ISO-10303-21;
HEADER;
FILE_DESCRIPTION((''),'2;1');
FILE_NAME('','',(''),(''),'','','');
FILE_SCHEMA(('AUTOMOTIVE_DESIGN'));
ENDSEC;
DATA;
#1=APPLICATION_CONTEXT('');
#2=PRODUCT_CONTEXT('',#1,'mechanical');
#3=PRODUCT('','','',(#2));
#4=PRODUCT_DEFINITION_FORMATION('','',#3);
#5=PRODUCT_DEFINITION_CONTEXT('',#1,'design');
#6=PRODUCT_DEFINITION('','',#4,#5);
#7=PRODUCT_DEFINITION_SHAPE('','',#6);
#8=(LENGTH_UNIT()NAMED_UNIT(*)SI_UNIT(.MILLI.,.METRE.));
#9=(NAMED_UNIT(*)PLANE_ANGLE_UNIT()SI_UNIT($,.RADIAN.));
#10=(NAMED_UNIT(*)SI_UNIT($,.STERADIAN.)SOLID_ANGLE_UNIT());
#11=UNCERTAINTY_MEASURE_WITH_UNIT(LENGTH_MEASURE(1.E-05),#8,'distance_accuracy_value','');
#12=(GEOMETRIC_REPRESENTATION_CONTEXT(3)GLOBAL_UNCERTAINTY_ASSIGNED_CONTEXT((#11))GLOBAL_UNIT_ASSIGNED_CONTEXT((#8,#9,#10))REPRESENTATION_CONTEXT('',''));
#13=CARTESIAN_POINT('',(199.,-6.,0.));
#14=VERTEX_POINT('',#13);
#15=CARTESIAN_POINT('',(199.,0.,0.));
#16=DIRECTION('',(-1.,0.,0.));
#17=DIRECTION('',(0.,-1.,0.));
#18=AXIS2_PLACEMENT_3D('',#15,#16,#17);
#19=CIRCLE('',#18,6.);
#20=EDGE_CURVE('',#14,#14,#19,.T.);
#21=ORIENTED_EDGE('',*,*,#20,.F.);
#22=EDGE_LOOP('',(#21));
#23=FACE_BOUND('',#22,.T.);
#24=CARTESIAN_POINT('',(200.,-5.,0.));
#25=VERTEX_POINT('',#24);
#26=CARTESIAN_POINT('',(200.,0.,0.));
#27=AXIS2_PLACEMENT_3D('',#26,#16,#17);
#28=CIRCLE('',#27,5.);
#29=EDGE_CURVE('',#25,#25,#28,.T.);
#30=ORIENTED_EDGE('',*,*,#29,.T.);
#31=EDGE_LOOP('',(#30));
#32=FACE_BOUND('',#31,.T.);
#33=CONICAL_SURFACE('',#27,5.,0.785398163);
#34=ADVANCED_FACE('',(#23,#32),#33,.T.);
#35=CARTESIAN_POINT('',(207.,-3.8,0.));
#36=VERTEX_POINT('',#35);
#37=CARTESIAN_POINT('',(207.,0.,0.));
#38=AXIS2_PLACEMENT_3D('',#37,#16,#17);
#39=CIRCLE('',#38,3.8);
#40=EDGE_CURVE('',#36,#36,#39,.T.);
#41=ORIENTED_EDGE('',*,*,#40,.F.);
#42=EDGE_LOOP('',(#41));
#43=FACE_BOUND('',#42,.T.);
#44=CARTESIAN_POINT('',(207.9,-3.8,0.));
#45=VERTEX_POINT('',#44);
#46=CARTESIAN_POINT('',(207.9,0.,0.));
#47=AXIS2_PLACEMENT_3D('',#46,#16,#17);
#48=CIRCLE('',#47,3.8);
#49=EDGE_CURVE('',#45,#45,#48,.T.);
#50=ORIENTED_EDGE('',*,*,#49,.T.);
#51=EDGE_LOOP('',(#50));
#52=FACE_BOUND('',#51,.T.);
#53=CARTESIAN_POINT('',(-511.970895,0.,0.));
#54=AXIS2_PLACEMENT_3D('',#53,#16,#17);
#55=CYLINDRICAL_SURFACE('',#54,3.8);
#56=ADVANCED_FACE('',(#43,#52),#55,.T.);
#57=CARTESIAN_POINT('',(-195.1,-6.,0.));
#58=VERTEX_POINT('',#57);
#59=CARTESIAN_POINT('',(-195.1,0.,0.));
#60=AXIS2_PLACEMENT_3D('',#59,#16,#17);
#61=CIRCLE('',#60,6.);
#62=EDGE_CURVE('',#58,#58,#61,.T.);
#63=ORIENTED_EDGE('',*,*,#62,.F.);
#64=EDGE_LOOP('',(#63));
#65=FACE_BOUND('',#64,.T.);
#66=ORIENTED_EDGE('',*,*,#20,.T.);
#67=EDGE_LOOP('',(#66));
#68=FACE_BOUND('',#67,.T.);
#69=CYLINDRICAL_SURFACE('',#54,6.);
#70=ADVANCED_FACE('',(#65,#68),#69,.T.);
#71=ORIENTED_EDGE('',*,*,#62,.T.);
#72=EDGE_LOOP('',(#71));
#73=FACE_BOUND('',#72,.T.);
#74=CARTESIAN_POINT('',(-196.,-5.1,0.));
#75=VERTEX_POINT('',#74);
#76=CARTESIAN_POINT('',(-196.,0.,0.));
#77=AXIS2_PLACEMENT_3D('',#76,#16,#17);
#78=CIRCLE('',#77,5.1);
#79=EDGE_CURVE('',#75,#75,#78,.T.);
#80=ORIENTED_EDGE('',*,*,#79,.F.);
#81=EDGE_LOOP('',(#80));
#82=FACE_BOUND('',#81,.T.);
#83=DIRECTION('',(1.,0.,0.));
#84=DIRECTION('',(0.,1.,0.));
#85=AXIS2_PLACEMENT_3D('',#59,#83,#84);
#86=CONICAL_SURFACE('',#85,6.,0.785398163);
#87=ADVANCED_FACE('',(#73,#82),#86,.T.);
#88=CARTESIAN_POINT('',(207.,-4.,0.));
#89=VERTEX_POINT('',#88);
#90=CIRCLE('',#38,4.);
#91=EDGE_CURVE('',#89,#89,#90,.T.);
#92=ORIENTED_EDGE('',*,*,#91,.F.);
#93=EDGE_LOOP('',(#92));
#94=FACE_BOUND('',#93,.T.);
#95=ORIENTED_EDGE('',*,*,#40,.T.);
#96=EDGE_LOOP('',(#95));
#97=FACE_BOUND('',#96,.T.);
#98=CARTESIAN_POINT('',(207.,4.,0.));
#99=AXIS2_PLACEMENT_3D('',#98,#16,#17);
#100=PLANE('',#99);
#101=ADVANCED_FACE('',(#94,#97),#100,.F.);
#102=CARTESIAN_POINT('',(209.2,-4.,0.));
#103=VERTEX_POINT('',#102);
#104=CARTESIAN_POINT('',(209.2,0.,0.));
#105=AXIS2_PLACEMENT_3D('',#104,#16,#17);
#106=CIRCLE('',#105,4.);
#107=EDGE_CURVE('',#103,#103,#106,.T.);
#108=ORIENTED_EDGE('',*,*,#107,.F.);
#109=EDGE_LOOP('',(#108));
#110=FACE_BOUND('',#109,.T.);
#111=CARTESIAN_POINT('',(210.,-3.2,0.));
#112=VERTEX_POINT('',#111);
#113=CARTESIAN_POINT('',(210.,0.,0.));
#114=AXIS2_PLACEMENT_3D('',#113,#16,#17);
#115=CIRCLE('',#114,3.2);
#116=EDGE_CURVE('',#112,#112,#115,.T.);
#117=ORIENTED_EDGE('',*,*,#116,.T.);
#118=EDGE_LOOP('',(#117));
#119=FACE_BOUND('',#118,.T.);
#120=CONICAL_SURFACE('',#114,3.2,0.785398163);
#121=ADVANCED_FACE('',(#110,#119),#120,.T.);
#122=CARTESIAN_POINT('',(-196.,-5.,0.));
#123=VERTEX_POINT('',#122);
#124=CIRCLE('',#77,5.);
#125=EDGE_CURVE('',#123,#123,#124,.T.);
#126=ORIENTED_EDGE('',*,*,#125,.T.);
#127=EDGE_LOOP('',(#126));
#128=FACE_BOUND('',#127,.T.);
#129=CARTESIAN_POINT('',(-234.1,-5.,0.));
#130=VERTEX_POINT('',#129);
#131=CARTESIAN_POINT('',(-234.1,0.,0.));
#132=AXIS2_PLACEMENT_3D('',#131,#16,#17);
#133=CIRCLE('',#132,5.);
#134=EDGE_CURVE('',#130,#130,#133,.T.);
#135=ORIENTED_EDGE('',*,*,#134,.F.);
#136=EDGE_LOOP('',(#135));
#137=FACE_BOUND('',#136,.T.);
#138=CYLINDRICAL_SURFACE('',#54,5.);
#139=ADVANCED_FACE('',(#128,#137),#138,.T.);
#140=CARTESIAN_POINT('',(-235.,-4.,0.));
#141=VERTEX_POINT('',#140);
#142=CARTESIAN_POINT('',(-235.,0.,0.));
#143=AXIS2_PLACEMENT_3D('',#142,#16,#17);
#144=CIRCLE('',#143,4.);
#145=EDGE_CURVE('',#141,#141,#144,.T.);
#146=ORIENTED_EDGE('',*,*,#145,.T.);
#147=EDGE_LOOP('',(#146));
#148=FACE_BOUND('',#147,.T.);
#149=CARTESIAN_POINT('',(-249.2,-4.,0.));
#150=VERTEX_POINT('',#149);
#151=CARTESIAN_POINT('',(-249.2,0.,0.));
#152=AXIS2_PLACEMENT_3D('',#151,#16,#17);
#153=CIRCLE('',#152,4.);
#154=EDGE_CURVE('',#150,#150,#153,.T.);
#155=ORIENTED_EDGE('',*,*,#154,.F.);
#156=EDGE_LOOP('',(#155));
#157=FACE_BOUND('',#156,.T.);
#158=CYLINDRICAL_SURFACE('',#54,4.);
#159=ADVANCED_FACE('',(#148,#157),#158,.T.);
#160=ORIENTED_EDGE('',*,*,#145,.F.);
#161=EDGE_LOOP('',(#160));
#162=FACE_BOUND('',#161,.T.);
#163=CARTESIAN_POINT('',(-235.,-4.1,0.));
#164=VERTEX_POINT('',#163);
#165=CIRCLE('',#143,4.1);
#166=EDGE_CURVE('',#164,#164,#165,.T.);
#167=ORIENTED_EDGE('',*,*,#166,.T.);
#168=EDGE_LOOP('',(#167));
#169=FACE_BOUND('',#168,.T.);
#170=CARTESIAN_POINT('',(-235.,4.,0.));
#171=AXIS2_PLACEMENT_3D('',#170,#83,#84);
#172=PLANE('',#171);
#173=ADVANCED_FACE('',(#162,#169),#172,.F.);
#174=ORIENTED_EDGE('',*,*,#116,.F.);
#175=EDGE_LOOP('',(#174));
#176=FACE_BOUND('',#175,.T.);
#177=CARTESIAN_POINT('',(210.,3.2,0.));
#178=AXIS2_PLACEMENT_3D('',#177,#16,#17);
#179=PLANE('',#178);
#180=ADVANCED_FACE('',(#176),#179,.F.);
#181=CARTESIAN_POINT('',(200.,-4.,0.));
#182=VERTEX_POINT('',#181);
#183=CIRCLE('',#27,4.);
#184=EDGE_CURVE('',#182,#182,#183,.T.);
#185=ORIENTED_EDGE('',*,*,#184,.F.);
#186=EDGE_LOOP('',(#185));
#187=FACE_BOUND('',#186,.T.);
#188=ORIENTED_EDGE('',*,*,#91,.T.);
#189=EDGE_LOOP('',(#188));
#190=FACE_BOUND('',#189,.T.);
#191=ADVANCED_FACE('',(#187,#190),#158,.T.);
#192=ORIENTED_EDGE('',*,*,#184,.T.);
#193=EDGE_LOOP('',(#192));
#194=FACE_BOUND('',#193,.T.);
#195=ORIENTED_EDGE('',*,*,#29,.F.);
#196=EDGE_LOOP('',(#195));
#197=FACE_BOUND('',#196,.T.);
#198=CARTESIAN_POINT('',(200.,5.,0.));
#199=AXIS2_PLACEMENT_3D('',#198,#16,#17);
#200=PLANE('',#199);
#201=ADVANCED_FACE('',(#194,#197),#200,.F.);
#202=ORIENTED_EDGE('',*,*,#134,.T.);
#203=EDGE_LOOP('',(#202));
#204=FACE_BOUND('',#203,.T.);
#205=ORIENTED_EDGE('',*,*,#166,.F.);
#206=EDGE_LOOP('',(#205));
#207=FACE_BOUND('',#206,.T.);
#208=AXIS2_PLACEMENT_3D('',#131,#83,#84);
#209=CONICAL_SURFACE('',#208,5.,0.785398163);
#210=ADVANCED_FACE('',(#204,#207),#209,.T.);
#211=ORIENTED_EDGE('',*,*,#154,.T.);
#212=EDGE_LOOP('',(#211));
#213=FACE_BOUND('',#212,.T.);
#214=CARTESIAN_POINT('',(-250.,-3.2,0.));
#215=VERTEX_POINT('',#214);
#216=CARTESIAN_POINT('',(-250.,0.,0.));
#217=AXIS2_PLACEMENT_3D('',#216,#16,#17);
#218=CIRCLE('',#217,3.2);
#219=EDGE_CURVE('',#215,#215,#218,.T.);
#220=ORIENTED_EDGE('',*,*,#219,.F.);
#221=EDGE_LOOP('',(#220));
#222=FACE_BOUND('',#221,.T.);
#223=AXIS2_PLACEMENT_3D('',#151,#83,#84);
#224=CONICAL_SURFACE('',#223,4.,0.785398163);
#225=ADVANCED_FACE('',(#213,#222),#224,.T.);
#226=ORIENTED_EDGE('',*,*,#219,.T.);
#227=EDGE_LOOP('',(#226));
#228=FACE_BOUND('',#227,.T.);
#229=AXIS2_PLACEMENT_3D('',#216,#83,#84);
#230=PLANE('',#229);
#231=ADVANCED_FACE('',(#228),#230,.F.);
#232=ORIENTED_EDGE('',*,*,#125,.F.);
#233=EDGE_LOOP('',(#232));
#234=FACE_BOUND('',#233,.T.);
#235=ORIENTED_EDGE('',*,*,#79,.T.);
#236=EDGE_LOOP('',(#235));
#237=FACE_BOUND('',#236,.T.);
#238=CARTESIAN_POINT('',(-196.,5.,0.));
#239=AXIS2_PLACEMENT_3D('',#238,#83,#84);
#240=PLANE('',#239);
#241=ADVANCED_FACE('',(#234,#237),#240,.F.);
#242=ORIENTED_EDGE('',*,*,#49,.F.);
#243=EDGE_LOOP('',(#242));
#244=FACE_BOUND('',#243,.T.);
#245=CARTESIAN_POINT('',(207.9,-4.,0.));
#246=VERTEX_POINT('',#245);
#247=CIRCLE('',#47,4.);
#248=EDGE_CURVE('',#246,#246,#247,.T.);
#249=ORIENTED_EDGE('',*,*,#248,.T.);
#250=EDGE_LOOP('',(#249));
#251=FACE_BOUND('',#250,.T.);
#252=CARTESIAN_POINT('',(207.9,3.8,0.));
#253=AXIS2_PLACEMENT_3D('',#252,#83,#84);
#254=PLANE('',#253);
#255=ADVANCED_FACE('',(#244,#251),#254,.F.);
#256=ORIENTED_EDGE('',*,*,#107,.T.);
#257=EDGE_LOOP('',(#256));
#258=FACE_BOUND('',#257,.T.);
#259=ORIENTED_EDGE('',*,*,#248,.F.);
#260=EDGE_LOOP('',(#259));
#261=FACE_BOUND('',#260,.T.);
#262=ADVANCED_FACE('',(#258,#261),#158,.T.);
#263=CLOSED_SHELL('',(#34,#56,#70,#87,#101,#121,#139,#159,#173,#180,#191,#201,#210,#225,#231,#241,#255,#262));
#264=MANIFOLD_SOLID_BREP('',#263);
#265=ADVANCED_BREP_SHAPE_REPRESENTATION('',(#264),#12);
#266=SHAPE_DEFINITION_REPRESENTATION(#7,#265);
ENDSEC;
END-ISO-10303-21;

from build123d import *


with BuildPart() as part:
    # Esquisse1 → Révolution1 (revolve)
    with BuildSketch(Plane.XY, mode=Mode.PRIVATE) as r_volution1_sk:
        Polygon((-250, 0), (-250, 3.2), (-249.2, 4), (-235, 4), (-235, 4.1), (-234.1, 5), (-196, 5), (-196, 5.1), (-195.1, 6), (199, 6), (200, 5), (200, 4), (207, 4), (207, 3.8), (207.9, 3.8), (207.9, 4), (209.2, 4), (210, 3.2), (210, 0), align=None)
    revolve(r_volution1_sk.sketch.rotate(Axis((-511.970894611, 0, 0), (1, 0, 0)), 180), axis=Axis((-511.970894611, 0, 0), (1, 0, 0)))


solid = part.part
